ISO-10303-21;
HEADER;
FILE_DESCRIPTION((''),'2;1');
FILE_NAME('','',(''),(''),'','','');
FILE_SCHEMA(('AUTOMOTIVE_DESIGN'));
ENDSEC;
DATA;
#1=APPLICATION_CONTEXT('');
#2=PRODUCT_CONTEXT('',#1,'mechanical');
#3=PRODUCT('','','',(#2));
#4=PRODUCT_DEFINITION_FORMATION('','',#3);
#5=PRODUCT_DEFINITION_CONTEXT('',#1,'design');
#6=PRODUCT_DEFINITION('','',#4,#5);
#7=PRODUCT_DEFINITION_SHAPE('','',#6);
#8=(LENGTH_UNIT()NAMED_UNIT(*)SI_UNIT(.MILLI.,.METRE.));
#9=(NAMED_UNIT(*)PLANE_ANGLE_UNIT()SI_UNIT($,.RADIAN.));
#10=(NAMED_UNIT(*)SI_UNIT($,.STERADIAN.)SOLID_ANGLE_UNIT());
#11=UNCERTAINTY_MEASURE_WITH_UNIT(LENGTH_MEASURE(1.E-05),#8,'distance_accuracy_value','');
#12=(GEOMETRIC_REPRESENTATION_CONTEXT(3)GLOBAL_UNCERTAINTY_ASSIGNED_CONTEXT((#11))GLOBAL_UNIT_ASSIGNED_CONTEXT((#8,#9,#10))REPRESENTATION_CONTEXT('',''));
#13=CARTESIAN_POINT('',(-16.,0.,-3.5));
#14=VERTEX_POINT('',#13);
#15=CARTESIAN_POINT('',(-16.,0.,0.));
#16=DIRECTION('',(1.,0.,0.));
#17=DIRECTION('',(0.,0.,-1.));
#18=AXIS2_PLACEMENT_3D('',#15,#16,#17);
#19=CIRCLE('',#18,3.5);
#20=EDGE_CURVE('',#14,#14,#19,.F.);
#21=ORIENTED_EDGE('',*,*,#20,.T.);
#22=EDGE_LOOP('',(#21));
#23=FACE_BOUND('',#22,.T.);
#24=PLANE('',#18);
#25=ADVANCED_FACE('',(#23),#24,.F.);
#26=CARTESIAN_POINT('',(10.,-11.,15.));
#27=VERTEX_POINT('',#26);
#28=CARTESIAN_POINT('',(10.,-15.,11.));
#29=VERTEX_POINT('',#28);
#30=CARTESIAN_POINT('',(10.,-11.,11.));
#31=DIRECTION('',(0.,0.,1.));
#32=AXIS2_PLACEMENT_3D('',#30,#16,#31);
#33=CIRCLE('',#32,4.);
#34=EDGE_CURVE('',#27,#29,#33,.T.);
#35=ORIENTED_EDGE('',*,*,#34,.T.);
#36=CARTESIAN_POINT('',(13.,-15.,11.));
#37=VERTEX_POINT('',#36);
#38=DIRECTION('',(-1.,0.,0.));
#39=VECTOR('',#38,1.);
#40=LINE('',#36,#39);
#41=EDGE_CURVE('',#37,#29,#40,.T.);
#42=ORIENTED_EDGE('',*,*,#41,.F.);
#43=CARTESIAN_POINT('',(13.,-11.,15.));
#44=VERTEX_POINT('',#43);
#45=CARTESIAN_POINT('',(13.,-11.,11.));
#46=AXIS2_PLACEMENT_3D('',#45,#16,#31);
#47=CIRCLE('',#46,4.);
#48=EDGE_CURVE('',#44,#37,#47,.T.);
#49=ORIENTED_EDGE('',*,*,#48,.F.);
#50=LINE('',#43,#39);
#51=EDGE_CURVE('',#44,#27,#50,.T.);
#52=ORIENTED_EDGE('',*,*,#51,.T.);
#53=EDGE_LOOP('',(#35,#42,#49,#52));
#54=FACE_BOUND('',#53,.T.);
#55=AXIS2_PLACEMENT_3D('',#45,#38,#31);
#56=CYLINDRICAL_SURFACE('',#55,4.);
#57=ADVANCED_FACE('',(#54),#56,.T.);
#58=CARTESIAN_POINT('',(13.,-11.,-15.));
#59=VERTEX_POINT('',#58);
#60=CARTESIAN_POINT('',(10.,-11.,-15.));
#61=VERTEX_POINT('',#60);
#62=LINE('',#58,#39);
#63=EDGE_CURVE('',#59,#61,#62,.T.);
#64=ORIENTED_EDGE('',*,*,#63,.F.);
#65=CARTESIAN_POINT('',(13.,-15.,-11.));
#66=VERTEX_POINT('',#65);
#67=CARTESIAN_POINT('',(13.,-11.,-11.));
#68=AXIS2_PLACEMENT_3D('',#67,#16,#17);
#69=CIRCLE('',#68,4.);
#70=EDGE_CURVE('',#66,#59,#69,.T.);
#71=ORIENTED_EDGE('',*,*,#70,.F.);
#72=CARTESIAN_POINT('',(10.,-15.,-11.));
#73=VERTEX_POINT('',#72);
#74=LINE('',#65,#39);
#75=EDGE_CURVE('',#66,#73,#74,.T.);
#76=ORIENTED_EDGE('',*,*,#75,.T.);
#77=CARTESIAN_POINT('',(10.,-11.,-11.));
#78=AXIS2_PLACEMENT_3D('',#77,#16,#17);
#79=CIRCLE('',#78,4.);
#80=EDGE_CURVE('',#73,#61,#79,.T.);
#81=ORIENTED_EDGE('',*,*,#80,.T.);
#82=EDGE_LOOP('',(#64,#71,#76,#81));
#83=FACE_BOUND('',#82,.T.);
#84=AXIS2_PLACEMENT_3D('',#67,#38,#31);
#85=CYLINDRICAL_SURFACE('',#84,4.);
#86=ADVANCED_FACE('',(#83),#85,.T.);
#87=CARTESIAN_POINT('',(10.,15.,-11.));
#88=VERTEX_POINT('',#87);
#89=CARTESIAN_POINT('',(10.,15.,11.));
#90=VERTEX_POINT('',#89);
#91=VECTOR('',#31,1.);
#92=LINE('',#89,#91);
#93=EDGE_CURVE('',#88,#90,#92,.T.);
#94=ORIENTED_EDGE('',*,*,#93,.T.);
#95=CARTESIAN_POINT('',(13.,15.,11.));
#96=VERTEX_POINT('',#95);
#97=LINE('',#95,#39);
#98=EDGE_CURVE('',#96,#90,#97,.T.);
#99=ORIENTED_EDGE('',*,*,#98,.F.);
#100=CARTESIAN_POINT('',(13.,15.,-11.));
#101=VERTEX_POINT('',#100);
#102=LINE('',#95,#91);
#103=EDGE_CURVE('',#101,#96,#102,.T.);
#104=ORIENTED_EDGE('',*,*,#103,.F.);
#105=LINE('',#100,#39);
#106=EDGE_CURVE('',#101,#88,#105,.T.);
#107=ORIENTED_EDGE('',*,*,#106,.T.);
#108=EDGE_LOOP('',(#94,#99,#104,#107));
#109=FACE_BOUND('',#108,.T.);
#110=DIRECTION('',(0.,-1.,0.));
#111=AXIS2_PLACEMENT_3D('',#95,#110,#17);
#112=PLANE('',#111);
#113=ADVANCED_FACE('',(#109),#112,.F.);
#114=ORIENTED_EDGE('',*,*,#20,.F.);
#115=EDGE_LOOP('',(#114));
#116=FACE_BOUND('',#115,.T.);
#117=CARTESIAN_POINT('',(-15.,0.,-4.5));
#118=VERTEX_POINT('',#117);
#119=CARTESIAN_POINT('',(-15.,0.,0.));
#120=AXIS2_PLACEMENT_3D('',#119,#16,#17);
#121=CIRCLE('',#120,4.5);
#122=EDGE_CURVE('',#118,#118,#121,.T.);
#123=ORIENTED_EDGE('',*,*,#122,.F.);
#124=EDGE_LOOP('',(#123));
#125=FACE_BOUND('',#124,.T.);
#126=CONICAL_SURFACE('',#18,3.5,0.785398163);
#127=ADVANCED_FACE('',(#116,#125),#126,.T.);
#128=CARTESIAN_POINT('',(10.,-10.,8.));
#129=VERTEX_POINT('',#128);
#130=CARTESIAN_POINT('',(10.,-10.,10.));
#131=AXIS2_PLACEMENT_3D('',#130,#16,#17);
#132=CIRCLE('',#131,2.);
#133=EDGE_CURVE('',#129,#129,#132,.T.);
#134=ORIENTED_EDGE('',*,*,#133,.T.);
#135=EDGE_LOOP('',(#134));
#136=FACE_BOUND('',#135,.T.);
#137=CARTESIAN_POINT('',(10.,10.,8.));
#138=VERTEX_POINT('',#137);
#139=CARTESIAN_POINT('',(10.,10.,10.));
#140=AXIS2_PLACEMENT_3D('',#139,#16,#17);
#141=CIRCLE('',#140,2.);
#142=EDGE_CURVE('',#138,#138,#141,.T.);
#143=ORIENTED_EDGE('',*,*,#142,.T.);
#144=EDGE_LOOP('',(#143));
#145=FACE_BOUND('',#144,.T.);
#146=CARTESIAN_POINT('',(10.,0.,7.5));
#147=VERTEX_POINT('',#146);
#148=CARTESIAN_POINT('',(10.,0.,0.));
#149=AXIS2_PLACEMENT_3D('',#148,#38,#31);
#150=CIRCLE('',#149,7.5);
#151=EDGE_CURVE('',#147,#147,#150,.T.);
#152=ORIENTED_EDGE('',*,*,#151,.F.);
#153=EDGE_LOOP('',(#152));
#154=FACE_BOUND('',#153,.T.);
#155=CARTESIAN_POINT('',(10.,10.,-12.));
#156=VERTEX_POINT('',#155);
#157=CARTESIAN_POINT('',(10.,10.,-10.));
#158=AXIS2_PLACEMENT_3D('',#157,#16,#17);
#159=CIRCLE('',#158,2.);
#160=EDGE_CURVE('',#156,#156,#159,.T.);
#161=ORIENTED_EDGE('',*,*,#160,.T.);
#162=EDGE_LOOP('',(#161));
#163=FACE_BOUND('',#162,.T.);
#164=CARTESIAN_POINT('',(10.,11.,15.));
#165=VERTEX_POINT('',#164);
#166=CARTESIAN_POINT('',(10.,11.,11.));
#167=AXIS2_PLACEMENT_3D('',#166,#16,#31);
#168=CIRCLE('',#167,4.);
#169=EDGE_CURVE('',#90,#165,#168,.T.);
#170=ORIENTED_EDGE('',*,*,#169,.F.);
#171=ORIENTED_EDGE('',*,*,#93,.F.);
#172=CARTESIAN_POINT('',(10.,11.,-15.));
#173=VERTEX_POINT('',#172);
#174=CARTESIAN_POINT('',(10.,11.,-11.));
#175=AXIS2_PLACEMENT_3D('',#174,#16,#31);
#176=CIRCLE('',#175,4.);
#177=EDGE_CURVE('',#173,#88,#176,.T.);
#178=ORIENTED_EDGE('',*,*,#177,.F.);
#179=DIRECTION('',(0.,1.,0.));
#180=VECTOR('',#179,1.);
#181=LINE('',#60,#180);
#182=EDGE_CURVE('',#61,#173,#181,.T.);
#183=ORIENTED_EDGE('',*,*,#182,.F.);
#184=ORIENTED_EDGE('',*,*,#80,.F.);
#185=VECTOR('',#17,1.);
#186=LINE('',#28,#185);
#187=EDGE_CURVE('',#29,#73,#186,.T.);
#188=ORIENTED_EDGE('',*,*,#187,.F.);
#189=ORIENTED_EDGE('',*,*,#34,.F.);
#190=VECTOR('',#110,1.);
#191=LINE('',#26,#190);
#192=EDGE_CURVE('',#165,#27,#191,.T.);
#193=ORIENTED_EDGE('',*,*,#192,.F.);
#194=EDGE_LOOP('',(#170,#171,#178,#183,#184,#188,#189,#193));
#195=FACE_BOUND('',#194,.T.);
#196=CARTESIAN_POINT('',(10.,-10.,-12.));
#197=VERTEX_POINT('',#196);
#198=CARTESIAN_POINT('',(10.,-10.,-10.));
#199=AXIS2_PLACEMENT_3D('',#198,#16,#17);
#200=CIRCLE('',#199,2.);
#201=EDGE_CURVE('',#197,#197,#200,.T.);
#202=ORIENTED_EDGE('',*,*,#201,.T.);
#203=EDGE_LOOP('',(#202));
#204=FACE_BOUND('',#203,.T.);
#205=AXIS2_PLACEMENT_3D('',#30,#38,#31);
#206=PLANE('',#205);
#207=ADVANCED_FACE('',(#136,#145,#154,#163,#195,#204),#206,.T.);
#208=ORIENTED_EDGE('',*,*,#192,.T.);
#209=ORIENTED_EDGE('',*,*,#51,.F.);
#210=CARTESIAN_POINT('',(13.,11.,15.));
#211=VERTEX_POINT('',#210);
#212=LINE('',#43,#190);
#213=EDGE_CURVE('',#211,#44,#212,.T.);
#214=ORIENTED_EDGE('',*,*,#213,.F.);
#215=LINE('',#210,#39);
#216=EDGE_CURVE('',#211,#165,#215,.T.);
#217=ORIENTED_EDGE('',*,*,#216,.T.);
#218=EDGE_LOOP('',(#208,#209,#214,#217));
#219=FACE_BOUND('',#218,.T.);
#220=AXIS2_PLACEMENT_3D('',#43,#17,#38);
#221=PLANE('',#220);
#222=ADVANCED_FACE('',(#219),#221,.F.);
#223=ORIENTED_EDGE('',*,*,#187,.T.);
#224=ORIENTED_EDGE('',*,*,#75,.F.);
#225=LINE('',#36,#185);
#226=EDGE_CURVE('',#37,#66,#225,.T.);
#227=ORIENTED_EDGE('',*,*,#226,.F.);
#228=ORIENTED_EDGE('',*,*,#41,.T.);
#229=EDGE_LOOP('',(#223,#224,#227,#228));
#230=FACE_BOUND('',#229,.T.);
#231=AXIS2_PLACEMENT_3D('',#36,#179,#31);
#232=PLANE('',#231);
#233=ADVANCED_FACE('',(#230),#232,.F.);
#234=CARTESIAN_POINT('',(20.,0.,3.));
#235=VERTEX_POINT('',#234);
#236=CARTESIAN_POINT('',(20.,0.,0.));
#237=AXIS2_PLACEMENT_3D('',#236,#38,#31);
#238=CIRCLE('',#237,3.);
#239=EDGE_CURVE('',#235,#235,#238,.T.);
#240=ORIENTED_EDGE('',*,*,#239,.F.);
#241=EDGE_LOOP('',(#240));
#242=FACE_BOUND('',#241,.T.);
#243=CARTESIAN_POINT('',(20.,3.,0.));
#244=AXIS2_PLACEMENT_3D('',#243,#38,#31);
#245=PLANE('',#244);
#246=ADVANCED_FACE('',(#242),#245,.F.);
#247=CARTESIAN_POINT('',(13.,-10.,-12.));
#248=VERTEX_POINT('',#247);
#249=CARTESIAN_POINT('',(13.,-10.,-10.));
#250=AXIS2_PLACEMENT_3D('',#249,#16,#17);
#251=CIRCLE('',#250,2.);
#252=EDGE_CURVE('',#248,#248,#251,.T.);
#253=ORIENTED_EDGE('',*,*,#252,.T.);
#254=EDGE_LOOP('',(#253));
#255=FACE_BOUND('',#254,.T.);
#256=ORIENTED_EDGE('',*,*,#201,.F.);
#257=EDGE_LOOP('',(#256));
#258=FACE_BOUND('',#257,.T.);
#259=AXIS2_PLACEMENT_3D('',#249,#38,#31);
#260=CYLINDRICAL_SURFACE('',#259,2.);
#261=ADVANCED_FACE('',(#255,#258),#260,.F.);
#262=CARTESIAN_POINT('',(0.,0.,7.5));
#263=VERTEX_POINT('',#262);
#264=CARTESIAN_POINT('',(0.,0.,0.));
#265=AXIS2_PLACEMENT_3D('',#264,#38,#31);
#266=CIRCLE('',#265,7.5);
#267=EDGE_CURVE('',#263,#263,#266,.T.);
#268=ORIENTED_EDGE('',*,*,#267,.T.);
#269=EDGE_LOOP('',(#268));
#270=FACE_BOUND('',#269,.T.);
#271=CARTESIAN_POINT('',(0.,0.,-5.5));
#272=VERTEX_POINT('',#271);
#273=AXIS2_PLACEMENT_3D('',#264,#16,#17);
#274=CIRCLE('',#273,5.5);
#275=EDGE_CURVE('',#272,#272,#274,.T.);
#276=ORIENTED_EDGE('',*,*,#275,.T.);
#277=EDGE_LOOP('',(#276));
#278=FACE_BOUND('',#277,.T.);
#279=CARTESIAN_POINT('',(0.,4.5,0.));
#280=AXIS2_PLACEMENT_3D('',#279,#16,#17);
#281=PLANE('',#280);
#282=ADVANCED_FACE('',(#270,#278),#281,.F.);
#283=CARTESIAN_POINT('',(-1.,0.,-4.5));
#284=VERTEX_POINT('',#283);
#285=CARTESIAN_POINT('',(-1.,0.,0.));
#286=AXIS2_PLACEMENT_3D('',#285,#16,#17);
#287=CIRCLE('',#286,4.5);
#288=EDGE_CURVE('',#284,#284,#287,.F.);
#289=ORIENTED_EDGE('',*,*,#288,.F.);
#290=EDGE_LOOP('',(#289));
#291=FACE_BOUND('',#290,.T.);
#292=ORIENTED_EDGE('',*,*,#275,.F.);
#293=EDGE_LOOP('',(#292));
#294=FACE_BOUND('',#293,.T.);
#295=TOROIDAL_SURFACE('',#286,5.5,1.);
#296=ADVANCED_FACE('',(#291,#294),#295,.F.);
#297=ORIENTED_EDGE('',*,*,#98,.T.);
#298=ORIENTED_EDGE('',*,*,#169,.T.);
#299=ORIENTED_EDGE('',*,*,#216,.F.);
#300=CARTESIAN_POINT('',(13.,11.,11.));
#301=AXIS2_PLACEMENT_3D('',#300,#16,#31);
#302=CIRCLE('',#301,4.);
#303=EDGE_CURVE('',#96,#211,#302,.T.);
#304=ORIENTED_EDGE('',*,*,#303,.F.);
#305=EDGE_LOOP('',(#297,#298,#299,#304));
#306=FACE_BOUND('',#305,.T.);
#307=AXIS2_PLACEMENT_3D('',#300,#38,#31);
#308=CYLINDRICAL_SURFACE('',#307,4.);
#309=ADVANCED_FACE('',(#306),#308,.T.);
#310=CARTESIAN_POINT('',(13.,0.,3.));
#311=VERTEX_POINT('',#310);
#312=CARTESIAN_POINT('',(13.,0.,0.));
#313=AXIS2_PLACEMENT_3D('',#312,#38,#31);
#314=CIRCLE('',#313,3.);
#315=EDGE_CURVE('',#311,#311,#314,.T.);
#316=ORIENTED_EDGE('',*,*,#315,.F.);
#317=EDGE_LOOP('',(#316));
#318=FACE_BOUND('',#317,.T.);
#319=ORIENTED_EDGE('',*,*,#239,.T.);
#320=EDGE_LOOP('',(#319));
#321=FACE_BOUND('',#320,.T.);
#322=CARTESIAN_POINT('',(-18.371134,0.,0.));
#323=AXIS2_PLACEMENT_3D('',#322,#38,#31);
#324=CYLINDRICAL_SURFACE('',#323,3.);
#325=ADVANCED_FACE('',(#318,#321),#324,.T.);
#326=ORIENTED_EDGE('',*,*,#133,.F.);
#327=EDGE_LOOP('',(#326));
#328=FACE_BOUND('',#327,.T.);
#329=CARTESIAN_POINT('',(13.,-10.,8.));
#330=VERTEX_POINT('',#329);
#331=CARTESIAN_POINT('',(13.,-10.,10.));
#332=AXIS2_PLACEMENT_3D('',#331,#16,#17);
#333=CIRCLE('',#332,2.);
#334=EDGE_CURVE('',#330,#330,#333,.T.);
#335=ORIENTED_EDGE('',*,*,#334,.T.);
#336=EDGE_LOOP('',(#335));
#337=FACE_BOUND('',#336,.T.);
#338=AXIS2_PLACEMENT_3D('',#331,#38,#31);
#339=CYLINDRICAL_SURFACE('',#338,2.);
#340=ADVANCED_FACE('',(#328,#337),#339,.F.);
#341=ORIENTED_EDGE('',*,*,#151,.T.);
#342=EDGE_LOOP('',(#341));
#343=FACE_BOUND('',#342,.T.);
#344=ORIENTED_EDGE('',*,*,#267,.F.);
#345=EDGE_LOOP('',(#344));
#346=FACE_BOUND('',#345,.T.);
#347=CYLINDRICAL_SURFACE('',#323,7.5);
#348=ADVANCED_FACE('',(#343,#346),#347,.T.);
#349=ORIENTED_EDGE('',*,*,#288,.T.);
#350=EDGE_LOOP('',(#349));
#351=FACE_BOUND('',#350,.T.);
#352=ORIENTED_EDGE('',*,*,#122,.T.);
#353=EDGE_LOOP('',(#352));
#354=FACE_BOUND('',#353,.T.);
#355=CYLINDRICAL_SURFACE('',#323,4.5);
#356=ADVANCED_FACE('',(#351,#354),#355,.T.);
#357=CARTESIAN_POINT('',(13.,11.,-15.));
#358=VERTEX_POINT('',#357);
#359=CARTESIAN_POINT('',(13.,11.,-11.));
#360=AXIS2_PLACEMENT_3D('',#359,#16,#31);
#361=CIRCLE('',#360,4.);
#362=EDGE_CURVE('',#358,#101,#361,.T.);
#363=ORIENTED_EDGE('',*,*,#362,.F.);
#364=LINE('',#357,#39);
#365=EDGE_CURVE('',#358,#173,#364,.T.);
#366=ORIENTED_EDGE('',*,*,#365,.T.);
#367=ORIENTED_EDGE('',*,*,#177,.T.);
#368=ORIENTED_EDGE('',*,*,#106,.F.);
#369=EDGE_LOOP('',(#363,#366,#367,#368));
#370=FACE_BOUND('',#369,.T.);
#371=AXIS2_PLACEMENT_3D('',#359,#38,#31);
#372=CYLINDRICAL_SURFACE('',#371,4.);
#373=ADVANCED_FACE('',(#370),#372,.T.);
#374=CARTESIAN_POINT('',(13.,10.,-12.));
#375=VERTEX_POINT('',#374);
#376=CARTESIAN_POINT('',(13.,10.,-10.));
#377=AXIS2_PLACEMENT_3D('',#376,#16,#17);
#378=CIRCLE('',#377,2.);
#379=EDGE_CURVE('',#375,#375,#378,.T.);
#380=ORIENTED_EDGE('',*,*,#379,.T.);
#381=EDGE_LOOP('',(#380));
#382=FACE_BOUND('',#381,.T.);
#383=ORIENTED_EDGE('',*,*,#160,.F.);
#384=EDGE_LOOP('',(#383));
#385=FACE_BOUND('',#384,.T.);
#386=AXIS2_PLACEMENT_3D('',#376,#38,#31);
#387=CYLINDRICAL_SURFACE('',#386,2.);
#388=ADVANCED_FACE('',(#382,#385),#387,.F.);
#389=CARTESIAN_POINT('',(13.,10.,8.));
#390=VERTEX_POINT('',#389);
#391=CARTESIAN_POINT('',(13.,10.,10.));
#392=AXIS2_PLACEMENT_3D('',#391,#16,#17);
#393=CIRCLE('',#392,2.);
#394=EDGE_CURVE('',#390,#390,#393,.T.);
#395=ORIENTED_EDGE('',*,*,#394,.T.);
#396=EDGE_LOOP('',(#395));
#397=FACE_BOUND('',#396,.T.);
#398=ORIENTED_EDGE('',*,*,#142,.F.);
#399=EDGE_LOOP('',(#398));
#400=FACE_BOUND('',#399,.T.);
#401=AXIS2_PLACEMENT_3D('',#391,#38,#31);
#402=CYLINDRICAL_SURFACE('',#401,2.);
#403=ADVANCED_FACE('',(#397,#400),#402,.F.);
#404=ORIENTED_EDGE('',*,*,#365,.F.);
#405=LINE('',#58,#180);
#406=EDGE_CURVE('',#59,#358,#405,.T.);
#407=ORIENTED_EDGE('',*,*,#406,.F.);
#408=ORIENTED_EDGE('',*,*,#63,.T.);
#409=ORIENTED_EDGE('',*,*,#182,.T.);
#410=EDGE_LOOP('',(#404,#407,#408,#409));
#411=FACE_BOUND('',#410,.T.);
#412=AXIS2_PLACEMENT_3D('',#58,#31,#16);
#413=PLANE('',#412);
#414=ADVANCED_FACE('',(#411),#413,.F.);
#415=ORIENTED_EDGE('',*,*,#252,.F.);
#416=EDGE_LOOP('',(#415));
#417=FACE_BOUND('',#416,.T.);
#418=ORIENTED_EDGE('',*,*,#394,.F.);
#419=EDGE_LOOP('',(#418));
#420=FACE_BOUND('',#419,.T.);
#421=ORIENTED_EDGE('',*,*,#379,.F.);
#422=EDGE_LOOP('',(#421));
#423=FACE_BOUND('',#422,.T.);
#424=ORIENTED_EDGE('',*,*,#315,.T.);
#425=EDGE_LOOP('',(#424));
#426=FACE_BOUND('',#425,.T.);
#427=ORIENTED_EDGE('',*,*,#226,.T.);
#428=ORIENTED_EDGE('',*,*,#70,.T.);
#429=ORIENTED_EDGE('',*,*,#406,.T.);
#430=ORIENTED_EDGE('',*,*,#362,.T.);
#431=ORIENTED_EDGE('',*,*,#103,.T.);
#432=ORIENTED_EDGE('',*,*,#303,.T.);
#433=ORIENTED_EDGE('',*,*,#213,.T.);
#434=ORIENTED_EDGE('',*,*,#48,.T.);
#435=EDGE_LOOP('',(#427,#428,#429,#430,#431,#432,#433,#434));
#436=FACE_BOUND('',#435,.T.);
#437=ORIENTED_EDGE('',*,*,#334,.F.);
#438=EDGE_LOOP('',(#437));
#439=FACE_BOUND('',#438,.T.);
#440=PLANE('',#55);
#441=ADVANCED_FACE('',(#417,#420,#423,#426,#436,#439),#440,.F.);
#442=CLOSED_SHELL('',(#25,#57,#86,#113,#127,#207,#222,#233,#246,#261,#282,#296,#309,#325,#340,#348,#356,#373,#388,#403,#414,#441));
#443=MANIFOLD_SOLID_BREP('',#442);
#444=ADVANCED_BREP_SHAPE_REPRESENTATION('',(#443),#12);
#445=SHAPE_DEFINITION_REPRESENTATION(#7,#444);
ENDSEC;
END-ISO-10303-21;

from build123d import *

# Parameters (mm, degrees)
REDONDEO1_R             = 1
CHAFL_N1_SIZE           = 1
CROQUIS2_R              = 2
SALIENTE_EXTRUIR1_DEPTH = 3


with BuildPart() as part:
    # Croquis1 → Revolución1 (revolve)
    with BuildSketch(Plane.XY):
        Polygon((-16, 0), (-16, 4.5), (0, 4.5), (0, 7.5), (10, 7.5), (10, 3), (20, 3), (20, 0), align=None)
    revolve(axis=Axis((-18.371134021, 0, 0), (1, 0, 0)))

    # Redondeo1
    redondeo1_edges = [part.edges().sort_by_distance(p)[0] for p in [
        (0, -4.5, 0),
    ]]
    fillet(redondeo1_edges, radius=REDONDEO1_R)

    # Chaflán1
    chafl_n1_edges = [part.edges().sort_by_distance(p)[0] for p in [
        (-16, -4.5, 0),
    ]]
    chamfer(chafl_n1_edges, length=CHAFL_N1_SIZE)

    # Croquis2 → Saliente-Extruir1 (add)
    with BuildSketch(Plane(origin=(10, 0, 0), x_dir=(0, 0, -1), z_dir=(1, 0, 0))):
        with BuildLine():
            Line((-11, -15), (11, -15))
            ThreePointArc((11, -15), (13.828427125, -13.828427125), (15, -11))
            Line((15, -11), (15, 11))
            ThreePointArc((15, 11), (13.828427125, 13.828427125), (11, 15))
            Line((11, 15), (-11, 15))
            ThreePointArc((-11, 15), (-13.828427125, 13.828427125), (-15, 11))
            Line((-15, 11), (-15, -11))
            ThreePointArc((-15, -11), (-13.828427125, -13.828427125), (-11, -15))
        make_face()
        with Locations((-10, 10)):
            Circle(CROQUIS2_R, mode=Mode.SUBTRACT)
        with Locations((10, 10)):
            Circle(CROQUIS2_R, mode=Mode.SUBTRACT)
        with Locations((10, -10)):
            Circle(CROQUIS2_R, mode=Mode.SUBTRACT)
        with Locations((-10, -10)):
            Circle(CROQUIS2_R, mode=Mode.SUBTRACT)
    extrude(amount=SALIENTE_EXTRUIR1_DEPTH)


solid = part.part
